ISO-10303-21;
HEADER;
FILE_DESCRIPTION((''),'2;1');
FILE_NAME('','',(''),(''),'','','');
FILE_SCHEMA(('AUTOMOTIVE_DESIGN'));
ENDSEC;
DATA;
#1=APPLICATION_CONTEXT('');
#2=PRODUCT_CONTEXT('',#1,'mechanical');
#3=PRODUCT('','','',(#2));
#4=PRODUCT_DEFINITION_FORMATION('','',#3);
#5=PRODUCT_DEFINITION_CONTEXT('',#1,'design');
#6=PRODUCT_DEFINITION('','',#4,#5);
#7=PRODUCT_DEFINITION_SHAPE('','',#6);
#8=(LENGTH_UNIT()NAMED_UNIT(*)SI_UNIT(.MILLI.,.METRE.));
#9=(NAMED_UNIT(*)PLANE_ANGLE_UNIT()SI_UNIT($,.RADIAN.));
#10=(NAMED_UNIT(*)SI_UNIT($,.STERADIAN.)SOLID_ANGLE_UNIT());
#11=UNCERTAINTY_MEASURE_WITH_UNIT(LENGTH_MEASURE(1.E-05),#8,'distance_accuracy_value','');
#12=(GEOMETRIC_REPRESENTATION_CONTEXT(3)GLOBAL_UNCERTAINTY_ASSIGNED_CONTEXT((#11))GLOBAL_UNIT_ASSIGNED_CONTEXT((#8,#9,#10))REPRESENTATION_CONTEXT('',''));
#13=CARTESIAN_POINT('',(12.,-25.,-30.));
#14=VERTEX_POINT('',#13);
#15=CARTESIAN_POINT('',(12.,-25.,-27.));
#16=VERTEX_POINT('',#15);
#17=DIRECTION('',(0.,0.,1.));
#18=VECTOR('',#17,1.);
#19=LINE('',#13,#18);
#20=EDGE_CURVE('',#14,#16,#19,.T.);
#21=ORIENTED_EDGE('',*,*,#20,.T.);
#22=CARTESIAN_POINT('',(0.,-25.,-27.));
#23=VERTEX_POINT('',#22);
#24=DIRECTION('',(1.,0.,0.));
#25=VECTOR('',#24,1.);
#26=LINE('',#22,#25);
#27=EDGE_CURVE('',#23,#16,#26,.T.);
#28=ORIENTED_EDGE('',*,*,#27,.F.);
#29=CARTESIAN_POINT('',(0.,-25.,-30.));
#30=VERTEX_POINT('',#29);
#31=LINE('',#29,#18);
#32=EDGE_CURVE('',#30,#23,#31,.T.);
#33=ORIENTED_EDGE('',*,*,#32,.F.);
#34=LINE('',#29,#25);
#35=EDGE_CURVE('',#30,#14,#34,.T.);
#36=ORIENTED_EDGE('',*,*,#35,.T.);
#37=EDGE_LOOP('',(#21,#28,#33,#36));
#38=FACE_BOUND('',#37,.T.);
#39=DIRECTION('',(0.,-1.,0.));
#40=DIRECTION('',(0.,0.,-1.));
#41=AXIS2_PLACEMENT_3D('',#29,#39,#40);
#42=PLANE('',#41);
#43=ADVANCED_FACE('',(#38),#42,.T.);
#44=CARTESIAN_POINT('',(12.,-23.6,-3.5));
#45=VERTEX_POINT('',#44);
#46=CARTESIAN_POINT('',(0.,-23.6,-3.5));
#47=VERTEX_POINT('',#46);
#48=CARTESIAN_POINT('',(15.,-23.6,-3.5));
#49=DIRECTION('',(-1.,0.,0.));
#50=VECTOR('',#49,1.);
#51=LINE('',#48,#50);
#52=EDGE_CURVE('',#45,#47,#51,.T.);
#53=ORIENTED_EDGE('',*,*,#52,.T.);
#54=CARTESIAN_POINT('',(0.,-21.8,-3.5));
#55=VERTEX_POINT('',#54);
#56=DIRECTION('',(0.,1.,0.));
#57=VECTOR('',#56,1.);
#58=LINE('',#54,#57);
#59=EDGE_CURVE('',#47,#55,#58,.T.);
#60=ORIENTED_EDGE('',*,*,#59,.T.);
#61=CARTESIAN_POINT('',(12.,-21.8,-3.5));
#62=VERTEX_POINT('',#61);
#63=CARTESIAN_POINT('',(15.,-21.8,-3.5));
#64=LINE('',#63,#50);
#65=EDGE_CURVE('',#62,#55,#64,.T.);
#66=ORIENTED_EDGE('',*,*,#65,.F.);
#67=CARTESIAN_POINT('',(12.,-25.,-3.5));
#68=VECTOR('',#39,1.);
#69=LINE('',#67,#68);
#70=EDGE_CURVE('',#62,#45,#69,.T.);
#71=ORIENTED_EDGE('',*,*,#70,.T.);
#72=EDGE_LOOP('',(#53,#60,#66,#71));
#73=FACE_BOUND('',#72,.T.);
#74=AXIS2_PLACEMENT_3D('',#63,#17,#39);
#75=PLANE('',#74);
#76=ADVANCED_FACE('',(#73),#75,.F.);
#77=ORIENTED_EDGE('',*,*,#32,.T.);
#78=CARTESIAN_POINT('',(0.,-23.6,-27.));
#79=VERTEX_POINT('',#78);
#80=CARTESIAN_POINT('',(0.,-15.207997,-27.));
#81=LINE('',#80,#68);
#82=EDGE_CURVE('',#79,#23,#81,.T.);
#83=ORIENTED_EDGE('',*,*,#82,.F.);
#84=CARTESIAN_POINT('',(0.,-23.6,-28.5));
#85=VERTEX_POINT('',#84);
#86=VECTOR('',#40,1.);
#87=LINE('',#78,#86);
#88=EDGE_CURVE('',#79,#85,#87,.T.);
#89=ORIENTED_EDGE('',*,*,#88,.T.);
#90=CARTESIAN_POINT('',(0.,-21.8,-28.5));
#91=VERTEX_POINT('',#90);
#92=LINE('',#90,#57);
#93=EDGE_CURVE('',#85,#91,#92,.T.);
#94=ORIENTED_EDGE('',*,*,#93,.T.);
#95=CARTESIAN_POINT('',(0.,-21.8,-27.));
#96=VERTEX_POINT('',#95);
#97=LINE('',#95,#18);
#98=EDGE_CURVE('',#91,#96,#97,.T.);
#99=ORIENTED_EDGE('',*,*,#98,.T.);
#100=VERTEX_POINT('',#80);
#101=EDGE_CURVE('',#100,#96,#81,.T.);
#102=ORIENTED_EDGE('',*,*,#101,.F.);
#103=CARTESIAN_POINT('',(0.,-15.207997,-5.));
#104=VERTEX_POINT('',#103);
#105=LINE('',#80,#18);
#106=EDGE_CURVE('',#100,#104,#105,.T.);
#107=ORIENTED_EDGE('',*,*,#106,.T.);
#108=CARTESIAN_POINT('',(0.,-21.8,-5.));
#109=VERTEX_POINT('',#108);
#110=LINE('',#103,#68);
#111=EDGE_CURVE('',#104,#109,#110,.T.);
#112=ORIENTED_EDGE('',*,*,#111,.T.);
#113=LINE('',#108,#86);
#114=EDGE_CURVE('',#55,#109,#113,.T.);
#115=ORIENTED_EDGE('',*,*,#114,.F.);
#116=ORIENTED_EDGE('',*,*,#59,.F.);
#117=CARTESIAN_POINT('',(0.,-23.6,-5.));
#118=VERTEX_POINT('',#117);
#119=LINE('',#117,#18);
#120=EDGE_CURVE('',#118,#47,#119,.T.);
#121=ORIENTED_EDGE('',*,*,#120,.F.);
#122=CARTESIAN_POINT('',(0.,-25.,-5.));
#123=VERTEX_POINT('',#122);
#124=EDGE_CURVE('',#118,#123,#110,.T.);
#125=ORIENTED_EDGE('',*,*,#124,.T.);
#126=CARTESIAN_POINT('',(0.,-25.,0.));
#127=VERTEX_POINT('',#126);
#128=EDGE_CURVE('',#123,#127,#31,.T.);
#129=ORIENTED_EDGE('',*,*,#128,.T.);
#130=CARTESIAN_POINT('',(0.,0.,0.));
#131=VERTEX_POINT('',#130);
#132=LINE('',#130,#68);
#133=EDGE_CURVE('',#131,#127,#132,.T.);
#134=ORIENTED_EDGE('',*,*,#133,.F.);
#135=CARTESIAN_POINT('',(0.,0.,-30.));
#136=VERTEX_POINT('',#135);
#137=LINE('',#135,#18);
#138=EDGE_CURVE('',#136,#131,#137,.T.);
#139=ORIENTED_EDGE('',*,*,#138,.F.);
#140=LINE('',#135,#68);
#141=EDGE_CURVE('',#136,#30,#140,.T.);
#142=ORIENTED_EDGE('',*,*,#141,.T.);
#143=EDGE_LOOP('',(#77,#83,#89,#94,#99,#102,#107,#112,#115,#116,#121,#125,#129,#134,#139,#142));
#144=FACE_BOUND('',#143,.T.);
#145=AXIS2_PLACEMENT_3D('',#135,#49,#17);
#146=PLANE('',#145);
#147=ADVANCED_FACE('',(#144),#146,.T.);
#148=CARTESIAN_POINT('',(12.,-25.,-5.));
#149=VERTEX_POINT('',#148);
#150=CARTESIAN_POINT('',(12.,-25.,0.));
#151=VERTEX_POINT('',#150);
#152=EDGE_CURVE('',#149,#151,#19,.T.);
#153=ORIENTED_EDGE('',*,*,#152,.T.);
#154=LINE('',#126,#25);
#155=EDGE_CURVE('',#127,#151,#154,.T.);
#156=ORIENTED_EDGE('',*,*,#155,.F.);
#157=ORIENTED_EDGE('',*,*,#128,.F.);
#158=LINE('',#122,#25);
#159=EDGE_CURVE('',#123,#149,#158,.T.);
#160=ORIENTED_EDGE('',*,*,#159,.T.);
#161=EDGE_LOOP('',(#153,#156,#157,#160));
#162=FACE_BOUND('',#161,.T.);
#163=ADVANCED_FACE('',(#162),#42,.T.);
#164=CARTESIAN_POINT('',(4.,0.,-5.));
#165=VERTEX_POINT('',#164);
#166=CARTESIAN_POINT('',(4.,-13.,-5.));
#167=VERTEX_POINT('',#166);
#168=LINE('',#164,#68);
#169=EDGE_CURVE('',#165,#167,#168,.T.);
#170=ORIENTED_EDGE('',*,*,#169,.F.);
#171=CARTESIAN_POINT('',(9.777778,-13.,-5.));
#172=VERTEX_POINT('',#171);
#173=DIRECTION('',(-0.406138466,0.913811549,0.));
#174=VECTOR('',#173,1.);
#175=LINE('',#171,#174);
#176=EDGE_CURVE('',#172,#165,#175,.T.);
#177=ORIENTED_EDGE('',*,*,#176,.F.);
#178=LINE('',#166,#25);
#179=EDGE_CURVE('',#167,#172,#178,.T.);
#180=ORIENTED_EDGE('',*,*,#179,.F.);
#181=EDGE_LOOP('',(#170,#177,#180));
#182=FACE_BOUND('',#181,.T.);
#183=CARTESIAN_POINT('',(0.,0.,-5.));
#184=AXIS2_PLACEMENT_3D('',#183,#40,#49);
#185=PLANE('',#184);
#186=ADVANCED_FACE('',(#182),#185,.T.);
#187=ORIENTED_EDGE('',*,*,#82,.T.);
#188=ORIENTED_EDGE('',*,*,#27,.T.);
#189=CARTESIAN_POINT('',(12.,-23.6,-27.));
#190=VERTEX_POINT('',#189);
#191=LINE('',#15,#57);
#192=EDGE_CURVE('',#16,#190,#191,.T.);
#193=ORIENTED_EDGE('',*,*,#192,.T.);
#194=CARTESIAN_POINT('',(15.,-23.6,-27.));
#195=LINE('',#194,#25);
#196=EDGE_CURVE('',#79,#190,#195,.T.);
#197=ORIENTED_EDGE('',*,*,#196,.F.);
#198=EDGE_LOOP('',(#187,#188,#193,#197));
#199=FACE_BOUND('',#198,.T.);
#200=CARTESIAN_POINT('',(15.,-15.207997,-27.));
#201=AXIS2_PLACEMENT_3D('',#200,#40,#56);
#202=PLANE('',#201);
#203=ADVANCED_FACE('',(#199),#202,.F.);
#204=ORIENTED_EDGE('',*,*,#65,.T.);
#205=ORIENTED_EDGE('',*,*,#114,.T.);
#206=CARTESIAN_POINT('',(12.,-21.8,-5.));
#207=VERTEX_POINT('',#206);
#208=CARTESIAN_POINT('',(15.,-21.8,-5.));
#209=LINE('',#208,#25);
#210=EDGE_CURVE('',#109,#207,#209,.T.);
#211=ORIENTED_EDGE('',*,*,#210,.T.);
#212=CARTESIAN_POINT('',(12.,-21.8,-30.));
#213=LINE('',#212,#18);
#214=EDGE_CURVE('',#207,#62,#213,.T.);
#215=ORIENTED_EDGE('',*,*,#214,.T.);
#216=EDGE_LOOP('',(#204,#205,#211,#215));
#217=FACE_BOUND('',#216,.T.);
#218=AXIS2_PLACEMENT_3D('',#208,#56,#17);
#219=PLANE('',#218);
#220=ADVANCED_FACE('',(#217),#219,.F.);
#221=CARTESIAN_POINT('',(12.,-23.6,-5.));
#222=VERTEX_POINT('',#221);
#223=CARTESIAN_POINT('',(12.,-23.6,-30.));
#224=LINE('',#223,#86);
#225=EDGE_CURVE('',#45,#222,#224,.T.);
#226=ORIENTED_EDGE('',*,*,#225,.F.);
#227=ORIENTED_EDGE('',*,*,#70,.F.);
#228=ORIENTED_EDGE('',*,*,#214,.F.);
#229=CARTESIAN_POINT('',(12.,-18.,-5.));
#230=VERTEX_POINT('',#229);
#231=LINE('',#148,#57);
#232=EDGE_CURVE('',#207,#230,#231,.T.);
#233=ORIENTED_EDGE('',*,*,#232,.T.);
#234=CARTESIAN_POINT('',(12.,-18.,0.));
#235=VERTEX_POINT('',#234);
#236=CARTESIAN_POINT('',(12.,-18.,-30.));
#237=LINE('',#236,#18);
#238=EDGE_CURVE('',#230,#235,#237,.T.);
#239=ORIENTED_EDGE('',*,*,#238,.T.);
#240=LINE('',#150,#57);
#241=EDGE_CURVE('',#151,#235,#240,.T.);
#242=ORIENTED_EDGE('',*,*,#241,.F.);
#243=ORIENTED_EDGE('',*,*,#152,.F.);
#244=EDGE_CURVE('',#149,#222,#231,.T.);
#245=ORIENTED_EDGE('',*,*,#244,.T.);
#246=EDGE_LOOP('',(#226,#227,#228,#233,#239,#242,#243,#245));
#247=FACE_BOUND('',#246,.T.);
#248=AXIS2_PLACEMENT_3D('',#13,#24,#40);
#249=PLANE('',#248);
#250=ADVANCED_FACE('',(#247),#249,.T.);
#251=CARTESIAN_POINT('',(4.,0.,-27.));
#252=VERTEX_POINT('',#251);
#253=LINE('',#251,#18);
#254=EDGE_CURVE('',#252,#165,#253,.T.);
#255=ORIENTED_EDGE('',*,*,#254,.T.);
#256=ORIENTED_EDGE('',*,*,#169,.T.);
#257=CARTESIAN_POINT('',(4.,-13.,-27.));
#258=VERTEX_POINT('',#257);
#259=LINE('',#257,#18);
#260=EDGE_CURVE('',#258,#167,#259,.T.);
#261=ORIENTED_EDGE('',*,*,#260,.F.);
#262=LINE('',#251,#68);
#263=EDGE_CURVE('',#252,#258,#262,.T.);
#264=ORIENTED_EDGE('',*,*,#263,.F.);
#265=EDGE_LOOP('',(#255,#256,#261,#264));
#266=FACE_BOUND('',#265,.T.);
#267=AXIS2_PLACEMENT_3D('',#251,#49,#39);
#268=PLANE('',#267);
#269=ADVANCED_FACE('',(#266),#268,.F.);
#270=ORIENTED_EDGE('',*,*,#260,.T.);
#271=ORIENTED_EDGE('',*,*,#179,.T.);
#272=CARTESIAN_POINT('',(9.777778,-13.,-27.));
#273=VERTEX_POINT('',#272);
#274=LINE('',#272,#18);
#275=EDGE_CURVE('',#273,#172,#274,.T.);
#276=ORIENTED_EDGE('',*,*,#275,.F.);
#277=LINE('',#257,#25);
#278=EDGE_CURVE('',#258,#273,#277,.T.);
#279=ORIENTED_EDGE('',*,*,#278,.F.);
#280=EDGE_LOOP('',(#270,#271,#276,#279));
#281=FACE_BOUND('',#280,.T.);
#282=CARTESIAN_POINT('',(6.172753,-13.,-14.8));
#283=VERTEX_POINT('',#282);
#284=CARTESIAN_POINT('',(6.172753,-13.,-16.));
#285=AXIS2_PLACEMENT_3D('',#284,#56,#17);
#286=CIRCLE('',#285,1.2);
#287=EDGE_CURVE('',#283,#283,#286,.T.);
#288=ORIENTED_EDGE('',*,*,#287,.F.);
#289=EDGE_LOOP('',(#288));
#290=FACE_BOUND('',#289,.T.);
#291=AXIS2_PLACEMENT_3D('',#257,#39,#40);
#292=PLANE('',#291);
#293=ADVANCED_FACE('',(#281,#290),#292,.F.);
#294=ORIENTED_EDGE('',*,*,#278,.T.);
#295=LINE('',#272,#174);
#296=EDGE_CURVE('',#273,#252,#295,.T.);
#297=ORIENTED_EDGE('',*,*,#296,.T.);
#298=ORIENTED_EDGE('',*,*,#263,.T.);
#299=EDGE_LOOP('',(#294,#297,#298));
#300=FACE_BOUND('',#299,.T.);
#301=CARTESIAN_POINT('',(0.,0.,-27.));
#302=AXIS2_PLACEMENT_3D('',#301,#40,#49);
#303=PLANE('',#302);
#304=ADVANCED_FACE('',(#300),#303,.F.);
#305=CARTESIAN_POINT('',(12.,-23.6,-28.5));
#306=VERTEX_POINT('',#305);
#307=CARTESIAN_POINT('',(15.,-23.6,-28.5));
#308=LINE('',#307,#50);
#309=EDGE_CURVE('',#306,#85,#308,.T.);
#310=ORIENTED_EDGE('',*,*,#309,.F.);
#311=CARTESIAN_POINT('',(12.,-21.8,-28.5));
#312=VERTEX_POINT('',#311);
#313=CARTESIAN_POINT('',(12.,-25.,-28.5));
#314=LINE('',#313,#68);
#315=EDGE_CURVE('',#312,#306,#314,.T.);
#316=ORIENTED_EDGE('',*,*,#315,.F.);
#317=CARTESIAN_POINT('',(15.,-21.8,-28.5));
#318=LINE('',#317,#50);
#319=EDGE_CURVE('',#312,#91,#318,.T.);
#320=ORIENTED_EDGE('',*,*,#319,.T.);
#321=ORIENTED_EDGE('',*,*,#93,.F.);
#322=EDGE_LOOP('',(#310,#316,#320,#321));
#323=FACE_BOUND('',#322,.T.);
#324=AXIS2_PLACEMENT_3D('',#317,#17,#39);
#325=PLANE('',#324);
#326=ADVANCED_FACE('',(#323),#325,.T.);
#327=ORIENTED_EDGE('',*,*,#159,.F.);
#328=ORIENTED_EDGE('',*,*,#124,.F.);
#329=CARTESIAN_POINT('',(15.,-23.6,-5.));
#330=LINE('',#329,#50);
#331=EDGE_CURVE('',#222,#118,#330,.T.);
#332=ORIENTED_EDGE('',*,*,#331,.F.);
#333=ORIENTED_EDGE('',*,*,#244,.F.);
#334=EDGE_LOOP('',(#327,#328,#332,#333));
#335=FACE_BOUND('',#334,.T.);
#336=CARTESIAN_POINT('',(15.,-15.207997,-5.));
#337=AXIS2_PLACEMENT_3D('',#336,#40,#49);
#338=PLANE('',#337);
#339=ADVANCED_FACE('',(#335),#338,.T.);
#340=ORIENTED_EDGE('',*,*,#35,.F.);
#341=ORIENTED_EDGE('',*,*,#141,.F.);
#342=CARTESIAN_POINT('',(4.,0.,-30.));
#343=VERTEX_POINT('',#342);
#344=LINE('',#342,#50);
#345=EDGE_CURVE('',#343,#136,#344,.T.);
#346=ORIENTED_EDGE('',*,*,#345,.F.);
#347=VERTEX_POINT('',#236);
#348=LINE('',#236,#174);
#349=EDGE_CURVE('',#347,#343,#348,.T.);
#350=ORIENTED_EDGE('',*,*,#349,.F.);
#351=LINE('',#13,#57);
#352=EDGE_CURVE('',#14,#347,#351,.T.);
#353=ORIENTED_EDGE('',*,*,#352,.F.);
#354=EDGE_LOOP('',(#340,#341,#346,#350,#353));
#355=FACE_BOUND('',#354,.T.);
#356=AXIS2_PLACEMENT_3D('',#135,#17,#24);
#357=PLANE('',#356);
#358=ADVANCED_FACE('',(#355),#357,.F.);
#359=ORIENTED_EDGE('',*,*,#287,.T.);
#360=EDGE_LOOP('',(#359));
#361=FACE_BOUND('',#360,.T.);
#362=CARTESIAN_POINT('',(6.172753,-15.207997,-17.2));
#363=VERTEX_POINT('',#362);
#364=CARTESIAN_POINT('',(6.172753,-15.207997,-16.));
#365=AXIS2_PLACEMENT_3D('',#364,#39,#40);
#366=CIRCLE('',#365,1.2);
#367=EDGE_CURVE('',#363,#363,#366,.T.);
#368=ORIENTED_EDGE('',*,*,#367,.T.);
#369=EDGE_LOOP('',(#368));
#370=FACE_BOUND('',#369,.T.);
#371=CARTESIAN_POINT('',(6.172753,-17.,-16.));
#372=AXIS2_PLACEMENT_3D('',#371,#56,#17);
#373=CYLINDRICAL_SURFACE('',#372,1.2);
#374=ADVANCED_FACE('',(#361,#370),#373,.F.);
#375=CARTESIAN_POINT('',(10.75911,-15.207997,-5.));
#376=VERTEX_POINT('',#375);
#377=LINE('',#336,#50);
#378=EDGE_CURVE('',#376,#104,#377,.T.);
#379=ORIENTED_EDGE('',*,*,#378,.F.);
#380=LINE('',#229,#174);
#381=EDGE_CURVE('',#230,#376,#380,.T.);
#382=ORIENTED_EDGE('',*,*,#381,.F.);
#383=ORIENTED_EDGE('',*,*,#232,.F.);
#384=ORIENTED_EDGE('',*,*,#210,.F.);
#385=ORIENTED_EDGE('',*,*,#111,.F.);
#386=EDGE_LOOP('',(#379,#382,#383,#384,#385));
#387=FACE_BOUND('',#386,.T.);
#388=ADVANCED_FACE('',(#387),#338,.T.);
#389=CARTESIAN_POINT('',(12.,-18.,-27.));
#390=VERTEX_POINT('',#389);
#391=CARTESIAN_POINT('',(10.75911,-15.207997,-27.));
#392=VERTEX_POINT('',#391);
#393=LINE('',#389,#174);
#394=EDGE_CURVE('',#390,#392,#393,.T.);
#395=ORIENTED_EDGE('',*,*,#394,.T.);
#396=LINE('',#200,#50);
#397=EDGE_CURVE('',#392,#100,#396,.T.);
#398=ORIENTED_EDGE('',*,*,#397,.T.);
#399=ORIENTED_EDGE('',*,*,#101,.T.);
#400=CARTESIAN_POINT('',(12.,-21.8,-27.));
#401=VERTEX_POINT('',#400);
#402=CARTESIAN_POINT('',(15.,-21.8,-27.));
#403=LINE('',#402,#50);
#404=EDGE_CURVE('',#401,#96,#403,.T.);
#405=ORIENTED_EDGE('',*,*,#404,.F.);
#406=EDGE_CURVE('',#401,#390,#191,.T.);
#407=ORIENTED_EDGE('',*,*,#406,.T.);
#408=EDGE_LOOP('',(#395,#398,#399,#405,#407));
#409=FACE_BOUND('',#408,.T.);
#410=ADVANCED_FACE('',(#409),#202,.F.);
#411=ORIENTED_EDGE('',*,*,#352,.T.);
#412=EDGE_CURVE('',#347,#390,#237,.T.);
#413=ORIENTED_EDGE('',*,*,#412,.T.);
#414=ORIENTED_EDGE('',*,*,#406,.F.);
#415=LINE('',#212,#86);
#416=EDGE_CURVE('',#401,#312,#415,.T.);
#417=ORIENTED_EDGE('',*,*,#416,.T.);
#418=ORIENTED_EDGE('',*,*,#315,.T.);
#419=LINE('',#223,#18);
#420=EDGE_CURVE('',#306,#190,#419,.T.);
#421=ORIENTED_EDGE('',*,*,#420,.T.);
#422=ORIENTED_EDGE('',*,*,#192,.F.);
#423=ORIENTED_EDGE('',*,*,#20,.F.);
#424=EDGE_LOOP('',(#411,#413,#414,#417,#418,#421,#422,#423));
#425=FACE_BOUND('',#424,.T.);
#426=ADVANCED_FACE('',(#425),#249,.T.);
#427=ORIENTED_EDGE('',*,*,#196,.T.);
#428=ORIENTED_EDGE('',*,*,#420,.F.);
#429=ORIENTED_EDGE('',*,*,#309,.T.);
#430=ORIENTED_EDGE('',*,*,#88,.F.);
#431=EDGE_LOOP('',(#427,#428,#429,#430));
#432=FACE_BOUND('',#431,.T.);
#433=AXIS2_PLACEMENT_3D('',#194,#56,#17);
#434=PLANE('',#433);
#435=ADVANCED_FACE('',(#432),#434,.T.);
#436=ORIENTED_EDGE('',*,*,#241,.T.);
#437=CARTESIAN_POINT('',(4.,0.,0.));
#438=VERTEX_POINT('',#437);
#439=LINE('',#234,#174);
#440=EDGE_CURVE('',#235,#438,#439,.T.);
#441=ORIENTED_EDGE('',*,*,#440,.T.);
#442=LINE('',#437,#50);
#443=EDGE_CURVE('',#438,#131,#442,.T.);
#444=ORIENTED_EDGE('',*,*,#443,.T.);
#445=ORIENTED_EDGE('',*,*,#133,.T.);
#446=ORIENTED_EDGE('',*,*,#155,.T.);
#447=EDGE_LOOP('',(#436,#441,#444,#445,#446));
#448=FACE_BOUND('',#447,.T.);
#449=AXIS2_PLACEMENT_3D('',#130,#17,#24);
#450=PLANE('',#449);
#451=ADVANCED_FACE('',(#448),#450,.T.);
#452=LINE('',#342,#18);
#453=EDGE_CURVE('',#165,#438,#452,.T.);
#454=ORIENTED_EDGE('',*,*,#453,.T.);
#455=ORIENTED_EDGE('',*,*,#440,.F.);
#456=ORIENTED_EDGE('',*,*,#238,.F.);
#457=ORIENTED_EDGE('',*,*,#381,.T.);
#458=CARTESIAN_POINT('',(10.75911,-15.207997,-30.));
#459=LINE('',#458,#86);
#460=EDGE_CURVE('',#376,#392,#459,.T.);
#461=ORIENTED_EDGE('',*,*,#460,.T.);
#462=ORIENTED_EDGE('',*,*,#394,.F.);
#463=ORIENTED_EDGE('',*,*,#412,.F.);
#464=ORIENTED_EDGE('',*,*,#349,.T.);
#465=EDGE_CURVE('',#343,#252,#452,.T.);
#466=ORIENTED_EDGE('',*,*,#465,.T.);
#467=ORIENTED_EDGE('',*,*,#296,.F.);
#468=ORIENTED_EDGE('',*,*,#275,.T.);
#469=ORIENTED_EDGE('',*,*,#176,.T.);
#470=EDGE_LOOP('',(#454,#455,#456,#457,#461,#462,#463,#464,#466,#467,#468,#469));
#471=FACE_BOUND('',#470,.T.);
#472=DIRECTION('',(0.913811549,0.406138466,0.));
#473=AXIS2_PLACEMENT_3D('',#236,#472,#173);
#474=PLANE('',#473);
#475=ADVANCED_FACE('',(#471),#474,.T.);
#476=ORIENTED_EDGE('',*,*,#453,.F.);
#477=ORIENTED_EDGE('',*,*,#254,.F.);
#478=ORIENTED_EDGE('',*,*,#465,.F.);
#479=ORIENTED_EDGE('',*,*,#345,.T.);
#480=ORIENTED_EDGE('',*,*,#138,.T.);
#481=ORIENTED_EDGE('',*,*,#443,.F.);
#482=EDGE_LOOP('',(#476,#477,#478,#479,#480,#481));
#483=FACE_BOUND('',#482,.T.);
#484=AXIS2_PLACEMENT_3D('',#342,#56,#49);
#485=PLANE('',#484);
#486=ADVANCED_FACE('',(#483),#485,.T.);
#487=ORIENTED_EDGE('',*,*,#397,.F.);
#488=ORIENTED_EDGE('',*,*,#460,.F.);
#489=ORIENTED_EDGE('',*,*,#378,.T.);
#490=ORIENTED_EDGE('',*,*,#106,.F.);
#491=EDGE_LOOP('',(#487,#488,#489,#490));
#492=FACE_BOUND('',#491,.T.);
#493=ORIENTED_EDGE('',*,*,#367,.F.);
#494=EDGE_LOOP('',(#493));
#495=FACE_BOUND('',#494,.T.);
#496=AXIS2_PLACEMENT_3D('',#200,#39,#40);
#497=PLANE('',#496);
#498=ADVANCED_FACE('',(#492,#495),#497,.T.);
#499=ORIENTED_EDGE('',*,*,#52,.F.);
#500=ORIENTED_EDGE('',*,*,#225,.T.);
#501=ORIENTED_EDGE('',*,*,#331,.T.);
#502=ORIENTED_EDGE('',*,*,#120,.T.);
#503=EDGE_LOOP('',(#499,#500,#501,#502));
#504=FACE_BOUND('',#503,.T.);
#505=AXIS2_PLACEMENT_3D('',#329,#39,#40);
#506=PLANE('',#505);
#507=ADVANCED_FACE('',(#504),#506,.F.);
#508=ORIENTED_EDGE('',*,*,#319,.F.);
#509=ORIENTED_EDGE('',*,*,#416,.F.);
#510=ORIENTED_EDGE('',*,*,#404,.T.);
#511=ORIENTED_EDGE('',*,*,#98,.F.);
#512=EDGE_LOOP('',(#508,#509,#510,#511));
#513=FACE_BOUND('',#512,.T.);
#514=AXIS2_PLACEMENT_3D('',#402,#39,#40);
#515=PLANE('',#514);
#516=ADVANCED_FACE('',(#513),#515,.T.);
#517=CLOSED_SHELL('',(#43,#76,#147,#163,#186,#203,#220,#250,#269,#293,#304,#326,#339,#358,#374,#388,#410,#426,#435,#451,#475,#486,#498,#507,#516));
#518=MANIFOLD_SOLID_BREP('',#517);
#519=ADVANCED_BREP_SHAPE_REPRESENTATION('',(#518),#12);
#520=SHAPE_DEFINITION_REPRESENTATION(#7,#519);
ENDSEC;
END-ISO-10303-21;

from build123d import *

# Parameters (mm, degrees)
BOSS_EXTRUDE1_DEPTH = 30
SKETCH4_W           = 22
SKETCH4_H           = 10
CUT_EXTRUDE2_DEPTH  = 15
SKETCH5_W           = 1.5
SKETCH5_H           = 1.8
CUT_EXTRUDE3_DEPTH  = 15
CUT_EXTRUDE4_DEPTH  = 11
SKETCH7_R           = 1.2
CUT_EXTRUDE5_DEPTH  = 4


with BuildPart() as part:
    # Sketch1 → Boss-Extrude1 (new body)
    with BuildSketch(Plane.XY):
        Polygon((0, 0), (0, -25), (12, -25), (12, -18), (4, 0), align=None)
    extrude(amount=-BOSS_EXTRUDE1_DEPTH)

    # Sketch4 → Cut-Extrude2 (cut)
    with BuildSketch(Plane.ZY):
        with Locations((-16, -20.207997185)):
            Rectangle(SKETCH4_W, SKETCH4_H)
    extrude(amount=-CUT_EXTRUDE2_DEPTH, mode=Mode.SUBTRACT)

    # Sketch5 → Cut-Extrude3 (cut)
    with BuildSketch(Plane.ZY):
        with Locations((-4.25, -22.7)):
            Rectangle(SKETCH5_W, SKETCH5_H)
    cut_extrude3 = extrude(amount=-CUT_EXTRUDE3_DEPTH, mode=Mode.SUBTRACT)

    # Mirror1: Cut-Extrude3 across plane
    add(cut_extrude3.mirror(Plane.XY.offset(-16)), mode=Mode.SUBTRACT)

    # Sketch6 → Cut-Extrude4 (cut, symmetric)
    with BuildSketch(Plane.XY.offset(-16)):
        Polygon((4, 0), (4, -13), (9.777777778, -13), align=None)
    extrude(amount=CUT_EXTRUDE4_DEPTH, both=True, mode=Mode.SUBTRACT)

    # Sketch7 → Cut-Extrude5 (cut)
    with BuildSketch(Plane(origin=(0, -13, 0), x_dir=(1, 0, 0), z_dir=(0, 1, 0))):
        with Locations(Location((6.172753197, 16, 0), (0, 0, 270))):
            Circle(SKETCH7_R)
    extrude(amount=-CUT_EXTRUDE5_DEPTH, mode=Mode.SUBTRACT)


solid = part.part
